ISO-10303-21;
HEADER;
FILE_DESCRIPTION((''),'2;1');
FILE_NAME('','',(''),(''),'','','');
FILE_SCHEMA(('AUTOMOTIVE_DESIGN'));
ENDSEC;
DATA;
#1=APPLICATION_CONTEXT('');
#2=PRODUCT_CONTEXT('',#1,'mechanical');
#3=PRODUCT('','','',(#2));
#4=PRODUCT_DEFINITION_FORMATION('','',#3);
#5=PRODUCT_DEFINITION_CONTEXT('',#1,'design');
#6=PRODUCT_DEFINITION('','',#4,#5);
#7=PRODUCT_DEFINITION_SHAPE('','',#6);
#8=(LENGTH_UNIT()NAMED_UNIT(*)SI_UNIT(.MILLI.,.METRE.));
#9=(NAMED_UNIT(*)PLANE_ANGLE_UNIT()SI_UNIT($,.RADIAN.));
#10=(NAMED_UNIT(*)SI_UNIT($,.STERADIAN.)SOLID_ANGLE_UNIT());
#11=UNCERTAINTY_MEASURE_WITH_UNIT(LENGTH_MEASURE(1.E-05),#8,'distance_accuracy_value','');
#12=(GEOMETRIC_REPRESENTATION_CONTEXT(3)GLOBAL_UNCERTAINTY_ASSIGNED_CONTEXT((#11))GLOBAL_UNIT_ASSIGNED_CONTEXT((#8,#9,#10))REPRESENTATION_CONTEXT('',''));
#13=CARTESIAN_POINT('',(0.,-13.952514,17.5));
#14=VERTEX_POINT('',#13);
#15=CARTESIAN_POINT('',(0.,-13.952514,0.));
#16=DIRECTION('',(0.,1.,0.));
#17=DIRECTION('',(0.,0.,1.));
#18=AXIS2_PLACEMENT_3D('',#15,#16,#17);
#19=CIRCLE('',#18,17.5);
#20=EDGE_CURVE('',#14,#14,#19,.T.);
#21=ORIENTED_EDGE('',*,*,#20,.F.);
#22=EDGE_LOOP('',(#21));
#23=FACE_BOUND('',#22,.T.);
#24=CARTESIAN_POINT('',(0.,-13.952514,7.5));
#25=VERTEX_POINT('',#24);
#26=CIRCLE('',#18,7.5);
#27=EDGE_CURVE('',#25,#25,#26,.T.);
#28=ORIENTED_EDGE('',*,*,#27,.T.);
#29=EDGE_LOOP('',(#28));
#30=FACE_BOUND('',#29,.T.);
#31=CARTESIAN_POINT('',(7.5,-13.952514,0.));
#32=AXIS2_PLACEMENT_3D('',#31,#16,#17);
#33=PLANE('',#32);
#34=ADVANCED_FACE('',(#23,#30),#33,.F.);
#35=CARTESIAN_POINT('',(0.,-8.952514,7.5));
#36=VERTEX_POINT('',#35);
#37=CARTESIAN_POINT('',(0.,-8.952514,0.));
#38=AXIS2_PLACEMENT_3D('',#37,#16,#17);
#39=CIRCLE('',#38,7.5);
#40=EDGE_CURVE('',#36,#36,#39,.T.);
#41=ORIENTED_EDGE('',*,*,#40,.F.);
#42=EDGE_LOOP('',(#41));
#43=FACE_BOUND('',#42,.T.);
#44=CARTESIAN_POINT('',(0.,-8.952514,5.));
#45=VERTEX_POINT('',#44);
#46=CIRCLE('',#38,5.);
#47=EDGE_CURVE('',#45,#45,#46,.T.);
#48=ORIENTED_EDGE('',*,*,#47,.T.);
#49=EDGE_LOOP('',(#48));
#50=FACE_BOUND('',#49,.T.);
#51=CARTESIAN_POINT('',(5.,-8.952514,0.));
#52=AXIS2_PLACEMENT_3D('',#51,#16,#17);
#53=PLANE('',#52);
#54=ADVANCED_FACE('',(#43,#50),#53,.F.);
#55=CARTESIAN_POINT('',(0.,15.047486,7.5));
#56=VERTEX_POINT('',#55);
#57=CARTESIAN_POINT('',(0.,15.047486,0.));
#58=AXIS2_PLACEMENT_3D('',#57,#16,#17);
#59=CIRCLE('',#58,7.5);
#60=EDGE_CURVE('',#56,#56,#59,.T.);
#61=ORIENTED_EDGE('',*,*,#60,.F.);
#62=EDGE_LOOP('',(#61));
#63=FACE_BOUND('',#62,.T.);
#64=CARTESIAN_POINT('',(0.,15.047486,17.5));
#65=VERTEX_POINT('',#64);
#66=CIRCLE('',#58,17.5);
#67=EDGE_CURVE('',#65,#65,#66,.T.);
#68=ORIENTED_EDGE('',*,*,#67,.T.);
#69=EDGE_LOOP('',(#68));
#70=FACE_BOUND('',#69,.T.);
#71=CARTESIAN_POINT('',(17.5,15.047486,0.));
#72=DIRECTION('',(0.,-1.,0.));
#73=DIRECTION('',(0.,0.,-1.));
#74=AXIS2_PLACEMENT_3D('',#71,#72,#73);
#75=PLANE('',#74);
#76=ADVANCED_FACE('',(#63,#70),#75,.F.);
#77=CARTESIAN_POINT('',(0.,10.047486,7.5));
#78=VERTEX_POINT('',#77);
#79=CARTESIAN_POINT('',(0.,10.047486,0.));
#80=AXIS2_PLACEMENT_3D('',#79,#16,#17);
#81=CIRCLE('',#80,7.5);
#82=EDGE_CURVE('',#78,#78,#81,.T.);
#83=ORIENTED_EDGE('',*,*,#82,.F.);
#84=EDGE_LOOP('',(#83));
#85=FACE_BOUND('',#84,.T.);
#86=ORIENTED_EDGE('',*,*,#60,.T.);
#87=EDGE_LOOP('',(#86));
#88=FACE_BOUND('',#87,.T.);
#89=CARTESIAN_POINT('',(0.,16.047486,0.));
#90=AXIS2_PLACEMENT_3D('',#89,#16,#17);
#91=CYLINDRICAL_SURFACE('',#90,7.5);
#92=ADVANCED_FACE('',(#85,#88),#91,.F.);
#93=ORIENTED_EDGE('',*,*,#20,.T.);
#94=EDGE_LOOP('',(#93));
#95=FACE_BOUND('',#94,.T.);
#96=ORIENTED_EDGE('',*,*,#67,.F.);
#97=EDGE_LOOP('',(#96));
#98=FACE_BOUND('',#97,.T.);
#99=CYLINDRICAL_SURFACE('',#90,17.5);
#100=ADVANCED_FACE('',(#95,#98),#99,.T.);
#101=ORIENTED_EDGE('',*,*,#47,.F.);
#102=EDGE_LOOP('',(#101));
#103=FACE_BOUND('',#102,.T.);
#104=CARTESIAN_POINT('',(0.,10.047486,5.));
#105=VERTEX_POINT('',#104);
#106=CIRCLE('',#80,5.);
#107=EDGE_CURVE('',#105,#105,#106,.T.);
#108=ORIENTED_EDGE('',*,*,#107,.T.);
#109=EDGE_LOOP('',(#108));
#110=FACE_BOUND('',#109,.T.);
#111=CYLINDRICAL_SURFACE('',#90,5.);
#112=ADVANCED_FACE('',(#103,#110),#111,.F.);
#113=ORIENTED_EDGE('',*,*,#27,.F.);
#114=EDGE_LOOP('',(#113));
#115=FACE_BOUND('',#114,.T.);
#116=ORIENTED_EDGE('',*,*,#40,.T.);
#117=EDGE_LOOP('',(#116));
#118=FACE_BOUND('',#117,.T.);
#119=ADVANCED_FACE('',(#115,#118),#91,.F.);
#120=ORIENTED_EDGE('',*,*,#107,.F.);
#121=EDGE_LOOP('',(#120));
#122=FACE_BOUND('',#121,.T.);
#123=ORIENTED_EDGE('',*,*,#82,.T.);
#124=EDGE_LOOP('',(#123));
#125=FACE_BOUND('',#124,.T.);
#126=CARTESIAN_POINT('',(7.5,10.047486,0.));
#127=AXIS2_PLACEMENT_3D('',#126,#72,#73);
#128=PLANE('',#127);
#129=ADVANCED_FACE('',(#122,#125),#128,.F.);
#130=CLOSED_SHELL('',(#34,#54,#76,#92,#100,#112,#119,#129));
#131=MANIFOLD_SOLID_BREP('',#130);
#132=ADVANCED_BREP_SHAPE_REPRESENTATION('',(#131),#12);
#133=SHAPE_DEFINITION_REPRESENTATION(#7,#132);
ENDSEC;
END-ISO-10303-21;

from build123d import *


with BuildPart() as part:
    # Sketch1 → Revolve1 (revolve)
    with BuildSketch(Plane.XY):
        Polygon((7.5, 15.047486034), (7.5, 10.047486034), (5, 10.047486034), (5, -8.952513966), (7.5, -8.952513966), (7.5, -13.952513966), (17.5, -13.952513966), (17.5, 15.047486034), align=None)
    revolve(axis=Axis((0, 16.047486034, 0), (0, -1, 0)))


solid = part.part
